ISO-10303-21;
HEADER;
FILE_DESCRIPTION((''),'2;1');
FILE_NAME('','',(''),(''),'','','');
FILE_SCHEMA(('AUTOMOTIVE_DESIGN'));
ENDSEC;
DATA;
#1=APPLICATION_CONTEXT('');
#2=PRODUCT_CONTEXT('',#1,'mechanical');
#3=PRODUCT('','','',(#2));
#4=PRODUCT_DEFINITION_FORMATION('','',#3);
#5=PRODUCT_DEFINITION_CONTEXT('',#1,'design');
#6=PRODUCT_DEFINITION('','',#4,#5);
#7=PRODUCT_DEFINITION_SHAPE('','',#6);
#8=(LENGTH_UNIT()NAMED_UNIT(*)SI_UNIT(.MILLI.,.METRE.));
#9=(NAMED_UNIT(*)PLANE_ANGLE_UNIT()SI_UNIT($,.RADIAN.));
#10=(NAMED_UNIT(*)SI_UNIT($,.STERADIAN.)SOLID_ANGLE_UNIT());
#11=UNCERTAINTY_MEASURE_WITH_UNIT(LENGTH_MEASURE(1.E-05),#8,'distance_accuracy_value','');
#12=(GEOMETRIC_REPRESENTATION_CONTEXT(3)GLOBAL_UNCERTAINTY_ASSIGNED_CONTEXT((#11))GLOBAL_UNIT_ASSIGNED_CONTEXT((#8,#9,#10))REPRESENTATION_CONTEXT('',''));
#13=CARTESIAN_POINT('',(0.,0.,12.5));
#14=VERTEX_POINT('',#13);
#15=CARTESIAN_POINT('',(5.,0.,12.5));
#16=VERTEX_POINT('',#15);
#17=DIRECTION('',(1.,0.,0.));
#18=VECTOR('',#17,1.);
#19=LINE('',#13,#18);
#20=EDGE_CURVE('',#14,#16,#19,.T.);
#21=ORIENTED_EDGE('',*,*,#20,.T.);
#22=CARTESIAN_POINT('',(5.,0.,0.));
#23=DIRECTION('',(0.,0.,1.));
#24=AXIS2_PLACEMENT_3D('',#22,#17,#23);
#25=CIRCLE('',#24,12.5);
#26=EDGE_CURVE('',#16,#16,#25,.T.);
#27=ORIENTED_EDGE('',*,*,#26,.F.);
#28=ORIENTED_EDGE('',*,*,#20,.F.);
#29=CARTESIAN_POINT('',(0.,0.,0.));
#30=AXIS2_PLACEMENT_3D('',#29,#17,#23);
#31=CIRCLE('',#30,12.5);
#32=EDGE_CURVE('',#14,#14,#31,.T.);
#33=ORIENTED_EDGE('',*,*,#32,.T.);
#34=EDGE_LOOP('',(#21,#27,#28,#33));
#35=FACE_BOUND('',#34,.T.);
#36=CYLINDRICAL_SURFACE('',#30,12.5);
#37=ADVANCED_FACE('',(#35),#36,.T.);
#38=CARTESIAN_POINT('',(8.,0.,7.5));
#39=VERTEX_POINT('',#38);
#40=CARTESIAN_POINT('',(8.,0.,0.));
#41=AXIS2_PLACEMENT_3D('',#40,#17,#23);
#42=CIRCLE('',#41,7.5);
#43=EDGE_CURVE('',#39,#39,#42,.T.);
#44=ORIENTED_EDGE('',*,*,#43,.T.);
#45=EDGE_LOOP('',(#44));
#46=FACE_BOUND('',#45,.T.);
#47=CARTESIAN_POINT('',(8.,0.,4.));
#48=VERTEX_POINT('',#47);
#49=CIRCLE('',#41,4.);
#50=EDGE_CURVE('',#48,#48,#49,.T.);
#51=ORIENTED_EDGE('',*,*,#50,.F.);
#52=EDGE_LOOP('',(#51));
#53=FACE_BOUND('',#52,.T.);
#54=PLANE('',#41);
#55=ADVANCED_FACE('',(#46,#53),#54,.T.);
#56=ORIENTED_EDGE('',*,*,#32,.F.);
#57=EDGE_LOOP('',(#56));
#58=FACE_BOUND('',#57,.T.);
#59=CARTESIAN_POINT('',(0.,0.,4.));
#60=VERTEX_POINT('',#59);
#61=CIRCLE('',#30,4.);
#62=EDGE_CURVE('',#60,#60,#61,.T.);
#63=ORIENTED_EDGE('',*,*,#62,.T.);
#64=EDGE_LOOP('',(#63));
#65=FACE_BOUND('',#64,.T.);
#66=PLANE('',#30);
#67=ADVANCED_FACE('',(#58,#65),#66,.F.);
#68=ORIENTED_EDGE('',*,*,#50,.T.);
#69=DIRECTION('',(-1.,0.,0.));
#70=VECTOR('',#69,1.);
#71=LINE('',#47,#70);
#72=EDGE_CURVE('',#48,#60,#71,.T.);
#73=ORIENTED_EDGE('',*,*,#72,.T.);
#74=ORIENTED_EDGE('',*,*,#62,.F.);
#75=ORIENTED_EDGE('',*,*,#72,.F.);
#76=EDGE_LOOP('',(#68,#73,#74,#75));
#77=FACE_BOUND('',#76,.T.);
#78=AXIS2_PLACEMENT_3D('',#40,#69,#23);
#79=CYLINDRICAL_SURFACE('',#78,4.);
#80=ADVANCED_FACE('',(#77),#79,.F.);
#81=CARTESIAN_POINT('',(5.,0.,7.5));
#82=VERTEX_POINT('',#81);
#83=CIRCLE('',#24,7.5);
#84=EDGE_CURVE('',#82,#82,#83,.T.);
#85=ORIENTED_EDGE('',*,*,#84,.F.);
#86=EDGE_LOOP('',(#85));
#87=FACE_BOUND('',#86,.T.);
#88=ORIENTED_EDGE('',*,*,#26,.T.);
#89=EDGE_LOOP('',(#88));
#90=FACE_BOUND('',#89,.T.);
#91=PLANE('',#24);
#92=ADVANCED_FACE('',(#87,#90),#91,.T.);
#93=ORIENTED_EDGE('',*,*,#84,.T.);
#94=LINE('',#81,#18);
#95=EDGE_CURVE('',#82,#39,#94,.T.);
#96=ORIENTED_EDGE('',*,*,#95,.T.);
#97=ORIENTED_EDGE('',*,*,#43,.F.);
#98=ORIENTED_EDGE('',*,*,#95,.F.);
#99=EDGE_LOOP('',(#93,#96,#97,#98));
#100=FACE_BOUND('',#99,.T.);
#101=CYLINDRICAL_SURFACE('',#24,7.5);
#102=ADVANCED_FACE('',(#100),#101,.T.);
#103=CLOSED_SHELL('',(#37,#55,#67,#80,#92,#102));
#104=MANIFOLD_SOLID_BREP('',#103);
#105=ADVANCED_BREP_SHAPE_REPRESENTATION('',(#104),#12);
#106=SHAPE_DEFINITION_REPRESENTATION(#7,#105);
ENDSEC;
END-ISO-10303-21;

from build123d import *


with BuildPart() as part:
    # 草图1 → 旋转1 (revolve)
    with BuildSketch(Plane(origin=(0, 0, 0), x_dir=(1, 0, 0), z_dir=(0, 1, 0)), mode=Mode.PRIVATE) as revolve_1_sk:
        Polygon((0, 4), (0, 12.5), (5, 12.5), (5, 7.5), (8, 7.5), (8, 4), align=None)
    revolve(revolve_1_sk.sketch.rotate(Axis((0, 0, 0), (1, 0, 0)), 180), axis=Axis((0, 0, 0), (1, 0, 0)))


solid = part.part
